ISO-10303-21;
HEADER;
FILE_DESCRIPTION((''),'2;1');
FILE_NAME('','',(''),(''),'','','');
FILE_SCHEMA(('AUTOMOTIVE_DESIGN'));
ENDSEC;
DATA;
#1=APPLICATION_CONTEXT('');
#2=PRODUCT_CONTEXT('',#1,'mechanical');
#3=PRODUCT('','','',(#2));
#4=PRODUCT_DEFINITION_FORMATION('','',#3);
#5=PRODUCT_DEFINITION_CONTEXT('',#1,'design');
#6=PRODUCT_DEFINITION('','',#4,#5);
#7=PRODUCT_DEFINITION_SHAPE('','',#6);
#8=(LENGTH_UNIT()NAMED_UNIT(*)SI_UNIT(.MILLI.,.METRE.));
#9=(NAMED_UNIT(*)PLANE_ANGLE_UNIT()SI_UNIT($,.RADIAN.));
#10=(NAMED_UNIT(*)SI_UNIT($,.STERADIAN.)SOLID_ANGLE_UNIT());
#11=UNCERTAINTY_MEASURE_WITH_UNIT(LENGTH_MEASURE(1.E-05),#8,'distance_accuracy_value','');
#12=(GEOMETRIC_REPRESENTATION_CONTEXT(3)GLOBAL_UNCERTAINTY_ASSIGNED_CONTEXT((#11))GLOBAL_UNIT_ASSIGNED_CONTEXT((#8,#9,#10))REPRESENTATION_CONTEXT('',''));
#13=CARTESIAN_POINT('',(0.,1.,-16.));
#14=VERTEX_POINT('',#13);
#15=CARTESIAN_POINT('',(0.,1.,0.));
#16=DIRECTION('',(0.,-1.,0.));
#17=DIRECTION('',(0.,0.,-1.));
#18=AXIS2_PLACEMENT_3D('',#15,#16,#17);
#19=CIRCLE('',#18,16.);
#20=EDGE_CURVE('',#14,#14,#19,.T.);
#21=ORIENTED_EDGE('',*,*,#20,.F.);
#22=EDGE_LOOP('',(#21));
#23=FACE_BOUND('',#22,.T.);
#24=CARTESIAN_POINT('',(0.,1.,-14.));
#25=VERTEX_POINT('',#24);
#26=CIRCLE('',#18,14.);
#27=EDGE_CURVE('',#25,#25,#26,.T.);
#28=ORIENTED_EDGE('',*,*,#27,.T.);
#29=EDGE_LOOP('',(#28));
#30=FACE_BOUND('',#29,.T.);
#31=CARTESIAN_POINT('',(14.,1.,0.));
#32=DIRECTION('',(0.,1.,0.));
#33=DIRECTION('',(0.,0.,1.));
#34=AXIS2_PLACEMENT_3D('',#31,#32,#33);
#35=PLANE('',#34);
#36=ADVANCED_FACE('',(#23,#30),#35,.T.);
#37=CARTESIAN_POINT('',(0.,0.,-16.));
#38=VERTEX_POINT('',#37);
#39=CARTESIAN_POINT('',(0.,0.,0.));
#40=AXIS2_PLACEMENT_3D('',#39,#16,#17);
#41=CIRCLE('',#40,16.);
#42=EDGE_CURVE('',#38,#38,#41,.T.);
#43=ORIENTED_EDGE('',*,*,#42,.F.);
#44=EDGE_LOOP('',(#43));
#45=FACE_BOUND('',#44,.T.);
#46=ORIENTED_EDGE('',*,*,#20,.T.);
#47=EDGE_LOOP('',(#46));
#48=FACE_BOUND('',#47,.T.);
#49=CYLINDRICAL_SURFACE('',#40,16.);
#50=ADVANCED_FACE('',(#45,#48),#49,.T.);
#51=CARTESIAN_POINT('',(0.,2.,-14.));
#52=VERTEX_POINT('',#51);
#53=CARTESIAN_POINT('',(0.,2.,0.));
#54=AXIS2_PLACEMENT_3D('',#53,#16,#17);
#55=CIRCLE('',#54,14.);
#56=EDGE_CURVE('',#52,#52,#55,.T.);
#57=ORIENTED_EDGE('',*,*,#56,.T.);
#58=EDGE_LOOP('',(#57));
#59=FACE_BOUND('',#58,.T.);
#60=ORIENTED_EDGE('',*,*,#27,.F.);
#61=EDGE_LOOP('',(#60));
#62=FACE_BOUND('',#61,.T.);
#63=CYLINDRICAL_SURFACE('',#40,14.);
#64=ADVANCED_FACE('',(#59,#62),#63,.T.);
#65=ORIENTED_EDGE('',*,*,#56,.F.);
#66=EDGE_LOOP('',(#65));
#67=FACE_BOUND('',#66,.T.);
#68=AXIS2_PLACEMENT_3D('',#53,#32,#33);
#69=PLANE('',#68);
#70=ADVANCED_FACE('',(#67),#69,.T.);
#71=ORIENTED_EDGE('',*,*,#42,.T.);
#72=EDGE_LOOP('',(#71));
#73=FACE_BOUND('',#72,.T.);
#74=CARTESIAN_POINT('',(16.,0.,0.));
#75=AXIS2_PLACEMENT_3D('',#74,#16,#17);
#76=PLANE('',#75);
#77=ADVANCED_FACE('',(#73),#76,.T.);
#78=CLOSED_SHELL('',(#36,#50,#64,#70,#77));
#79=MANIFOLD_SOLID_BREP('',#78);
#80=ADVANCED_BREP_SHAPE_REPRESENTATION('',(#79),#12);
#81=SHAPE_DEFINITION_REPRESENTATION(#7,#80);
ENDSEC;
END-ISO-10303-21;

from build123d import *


with BuildPart() as part:
    # Эскиз1 → Повернуть1 (revolve)
    with BuildSketch(Plane.XY):
        Polygon((0, 0), (0, 2), (14, 2), (14, 1), (16, 1), (16, 0), align=None)
    revolve(axis=Axis((0, 0, 0), (0, 1, 0)))


solid = part.part
